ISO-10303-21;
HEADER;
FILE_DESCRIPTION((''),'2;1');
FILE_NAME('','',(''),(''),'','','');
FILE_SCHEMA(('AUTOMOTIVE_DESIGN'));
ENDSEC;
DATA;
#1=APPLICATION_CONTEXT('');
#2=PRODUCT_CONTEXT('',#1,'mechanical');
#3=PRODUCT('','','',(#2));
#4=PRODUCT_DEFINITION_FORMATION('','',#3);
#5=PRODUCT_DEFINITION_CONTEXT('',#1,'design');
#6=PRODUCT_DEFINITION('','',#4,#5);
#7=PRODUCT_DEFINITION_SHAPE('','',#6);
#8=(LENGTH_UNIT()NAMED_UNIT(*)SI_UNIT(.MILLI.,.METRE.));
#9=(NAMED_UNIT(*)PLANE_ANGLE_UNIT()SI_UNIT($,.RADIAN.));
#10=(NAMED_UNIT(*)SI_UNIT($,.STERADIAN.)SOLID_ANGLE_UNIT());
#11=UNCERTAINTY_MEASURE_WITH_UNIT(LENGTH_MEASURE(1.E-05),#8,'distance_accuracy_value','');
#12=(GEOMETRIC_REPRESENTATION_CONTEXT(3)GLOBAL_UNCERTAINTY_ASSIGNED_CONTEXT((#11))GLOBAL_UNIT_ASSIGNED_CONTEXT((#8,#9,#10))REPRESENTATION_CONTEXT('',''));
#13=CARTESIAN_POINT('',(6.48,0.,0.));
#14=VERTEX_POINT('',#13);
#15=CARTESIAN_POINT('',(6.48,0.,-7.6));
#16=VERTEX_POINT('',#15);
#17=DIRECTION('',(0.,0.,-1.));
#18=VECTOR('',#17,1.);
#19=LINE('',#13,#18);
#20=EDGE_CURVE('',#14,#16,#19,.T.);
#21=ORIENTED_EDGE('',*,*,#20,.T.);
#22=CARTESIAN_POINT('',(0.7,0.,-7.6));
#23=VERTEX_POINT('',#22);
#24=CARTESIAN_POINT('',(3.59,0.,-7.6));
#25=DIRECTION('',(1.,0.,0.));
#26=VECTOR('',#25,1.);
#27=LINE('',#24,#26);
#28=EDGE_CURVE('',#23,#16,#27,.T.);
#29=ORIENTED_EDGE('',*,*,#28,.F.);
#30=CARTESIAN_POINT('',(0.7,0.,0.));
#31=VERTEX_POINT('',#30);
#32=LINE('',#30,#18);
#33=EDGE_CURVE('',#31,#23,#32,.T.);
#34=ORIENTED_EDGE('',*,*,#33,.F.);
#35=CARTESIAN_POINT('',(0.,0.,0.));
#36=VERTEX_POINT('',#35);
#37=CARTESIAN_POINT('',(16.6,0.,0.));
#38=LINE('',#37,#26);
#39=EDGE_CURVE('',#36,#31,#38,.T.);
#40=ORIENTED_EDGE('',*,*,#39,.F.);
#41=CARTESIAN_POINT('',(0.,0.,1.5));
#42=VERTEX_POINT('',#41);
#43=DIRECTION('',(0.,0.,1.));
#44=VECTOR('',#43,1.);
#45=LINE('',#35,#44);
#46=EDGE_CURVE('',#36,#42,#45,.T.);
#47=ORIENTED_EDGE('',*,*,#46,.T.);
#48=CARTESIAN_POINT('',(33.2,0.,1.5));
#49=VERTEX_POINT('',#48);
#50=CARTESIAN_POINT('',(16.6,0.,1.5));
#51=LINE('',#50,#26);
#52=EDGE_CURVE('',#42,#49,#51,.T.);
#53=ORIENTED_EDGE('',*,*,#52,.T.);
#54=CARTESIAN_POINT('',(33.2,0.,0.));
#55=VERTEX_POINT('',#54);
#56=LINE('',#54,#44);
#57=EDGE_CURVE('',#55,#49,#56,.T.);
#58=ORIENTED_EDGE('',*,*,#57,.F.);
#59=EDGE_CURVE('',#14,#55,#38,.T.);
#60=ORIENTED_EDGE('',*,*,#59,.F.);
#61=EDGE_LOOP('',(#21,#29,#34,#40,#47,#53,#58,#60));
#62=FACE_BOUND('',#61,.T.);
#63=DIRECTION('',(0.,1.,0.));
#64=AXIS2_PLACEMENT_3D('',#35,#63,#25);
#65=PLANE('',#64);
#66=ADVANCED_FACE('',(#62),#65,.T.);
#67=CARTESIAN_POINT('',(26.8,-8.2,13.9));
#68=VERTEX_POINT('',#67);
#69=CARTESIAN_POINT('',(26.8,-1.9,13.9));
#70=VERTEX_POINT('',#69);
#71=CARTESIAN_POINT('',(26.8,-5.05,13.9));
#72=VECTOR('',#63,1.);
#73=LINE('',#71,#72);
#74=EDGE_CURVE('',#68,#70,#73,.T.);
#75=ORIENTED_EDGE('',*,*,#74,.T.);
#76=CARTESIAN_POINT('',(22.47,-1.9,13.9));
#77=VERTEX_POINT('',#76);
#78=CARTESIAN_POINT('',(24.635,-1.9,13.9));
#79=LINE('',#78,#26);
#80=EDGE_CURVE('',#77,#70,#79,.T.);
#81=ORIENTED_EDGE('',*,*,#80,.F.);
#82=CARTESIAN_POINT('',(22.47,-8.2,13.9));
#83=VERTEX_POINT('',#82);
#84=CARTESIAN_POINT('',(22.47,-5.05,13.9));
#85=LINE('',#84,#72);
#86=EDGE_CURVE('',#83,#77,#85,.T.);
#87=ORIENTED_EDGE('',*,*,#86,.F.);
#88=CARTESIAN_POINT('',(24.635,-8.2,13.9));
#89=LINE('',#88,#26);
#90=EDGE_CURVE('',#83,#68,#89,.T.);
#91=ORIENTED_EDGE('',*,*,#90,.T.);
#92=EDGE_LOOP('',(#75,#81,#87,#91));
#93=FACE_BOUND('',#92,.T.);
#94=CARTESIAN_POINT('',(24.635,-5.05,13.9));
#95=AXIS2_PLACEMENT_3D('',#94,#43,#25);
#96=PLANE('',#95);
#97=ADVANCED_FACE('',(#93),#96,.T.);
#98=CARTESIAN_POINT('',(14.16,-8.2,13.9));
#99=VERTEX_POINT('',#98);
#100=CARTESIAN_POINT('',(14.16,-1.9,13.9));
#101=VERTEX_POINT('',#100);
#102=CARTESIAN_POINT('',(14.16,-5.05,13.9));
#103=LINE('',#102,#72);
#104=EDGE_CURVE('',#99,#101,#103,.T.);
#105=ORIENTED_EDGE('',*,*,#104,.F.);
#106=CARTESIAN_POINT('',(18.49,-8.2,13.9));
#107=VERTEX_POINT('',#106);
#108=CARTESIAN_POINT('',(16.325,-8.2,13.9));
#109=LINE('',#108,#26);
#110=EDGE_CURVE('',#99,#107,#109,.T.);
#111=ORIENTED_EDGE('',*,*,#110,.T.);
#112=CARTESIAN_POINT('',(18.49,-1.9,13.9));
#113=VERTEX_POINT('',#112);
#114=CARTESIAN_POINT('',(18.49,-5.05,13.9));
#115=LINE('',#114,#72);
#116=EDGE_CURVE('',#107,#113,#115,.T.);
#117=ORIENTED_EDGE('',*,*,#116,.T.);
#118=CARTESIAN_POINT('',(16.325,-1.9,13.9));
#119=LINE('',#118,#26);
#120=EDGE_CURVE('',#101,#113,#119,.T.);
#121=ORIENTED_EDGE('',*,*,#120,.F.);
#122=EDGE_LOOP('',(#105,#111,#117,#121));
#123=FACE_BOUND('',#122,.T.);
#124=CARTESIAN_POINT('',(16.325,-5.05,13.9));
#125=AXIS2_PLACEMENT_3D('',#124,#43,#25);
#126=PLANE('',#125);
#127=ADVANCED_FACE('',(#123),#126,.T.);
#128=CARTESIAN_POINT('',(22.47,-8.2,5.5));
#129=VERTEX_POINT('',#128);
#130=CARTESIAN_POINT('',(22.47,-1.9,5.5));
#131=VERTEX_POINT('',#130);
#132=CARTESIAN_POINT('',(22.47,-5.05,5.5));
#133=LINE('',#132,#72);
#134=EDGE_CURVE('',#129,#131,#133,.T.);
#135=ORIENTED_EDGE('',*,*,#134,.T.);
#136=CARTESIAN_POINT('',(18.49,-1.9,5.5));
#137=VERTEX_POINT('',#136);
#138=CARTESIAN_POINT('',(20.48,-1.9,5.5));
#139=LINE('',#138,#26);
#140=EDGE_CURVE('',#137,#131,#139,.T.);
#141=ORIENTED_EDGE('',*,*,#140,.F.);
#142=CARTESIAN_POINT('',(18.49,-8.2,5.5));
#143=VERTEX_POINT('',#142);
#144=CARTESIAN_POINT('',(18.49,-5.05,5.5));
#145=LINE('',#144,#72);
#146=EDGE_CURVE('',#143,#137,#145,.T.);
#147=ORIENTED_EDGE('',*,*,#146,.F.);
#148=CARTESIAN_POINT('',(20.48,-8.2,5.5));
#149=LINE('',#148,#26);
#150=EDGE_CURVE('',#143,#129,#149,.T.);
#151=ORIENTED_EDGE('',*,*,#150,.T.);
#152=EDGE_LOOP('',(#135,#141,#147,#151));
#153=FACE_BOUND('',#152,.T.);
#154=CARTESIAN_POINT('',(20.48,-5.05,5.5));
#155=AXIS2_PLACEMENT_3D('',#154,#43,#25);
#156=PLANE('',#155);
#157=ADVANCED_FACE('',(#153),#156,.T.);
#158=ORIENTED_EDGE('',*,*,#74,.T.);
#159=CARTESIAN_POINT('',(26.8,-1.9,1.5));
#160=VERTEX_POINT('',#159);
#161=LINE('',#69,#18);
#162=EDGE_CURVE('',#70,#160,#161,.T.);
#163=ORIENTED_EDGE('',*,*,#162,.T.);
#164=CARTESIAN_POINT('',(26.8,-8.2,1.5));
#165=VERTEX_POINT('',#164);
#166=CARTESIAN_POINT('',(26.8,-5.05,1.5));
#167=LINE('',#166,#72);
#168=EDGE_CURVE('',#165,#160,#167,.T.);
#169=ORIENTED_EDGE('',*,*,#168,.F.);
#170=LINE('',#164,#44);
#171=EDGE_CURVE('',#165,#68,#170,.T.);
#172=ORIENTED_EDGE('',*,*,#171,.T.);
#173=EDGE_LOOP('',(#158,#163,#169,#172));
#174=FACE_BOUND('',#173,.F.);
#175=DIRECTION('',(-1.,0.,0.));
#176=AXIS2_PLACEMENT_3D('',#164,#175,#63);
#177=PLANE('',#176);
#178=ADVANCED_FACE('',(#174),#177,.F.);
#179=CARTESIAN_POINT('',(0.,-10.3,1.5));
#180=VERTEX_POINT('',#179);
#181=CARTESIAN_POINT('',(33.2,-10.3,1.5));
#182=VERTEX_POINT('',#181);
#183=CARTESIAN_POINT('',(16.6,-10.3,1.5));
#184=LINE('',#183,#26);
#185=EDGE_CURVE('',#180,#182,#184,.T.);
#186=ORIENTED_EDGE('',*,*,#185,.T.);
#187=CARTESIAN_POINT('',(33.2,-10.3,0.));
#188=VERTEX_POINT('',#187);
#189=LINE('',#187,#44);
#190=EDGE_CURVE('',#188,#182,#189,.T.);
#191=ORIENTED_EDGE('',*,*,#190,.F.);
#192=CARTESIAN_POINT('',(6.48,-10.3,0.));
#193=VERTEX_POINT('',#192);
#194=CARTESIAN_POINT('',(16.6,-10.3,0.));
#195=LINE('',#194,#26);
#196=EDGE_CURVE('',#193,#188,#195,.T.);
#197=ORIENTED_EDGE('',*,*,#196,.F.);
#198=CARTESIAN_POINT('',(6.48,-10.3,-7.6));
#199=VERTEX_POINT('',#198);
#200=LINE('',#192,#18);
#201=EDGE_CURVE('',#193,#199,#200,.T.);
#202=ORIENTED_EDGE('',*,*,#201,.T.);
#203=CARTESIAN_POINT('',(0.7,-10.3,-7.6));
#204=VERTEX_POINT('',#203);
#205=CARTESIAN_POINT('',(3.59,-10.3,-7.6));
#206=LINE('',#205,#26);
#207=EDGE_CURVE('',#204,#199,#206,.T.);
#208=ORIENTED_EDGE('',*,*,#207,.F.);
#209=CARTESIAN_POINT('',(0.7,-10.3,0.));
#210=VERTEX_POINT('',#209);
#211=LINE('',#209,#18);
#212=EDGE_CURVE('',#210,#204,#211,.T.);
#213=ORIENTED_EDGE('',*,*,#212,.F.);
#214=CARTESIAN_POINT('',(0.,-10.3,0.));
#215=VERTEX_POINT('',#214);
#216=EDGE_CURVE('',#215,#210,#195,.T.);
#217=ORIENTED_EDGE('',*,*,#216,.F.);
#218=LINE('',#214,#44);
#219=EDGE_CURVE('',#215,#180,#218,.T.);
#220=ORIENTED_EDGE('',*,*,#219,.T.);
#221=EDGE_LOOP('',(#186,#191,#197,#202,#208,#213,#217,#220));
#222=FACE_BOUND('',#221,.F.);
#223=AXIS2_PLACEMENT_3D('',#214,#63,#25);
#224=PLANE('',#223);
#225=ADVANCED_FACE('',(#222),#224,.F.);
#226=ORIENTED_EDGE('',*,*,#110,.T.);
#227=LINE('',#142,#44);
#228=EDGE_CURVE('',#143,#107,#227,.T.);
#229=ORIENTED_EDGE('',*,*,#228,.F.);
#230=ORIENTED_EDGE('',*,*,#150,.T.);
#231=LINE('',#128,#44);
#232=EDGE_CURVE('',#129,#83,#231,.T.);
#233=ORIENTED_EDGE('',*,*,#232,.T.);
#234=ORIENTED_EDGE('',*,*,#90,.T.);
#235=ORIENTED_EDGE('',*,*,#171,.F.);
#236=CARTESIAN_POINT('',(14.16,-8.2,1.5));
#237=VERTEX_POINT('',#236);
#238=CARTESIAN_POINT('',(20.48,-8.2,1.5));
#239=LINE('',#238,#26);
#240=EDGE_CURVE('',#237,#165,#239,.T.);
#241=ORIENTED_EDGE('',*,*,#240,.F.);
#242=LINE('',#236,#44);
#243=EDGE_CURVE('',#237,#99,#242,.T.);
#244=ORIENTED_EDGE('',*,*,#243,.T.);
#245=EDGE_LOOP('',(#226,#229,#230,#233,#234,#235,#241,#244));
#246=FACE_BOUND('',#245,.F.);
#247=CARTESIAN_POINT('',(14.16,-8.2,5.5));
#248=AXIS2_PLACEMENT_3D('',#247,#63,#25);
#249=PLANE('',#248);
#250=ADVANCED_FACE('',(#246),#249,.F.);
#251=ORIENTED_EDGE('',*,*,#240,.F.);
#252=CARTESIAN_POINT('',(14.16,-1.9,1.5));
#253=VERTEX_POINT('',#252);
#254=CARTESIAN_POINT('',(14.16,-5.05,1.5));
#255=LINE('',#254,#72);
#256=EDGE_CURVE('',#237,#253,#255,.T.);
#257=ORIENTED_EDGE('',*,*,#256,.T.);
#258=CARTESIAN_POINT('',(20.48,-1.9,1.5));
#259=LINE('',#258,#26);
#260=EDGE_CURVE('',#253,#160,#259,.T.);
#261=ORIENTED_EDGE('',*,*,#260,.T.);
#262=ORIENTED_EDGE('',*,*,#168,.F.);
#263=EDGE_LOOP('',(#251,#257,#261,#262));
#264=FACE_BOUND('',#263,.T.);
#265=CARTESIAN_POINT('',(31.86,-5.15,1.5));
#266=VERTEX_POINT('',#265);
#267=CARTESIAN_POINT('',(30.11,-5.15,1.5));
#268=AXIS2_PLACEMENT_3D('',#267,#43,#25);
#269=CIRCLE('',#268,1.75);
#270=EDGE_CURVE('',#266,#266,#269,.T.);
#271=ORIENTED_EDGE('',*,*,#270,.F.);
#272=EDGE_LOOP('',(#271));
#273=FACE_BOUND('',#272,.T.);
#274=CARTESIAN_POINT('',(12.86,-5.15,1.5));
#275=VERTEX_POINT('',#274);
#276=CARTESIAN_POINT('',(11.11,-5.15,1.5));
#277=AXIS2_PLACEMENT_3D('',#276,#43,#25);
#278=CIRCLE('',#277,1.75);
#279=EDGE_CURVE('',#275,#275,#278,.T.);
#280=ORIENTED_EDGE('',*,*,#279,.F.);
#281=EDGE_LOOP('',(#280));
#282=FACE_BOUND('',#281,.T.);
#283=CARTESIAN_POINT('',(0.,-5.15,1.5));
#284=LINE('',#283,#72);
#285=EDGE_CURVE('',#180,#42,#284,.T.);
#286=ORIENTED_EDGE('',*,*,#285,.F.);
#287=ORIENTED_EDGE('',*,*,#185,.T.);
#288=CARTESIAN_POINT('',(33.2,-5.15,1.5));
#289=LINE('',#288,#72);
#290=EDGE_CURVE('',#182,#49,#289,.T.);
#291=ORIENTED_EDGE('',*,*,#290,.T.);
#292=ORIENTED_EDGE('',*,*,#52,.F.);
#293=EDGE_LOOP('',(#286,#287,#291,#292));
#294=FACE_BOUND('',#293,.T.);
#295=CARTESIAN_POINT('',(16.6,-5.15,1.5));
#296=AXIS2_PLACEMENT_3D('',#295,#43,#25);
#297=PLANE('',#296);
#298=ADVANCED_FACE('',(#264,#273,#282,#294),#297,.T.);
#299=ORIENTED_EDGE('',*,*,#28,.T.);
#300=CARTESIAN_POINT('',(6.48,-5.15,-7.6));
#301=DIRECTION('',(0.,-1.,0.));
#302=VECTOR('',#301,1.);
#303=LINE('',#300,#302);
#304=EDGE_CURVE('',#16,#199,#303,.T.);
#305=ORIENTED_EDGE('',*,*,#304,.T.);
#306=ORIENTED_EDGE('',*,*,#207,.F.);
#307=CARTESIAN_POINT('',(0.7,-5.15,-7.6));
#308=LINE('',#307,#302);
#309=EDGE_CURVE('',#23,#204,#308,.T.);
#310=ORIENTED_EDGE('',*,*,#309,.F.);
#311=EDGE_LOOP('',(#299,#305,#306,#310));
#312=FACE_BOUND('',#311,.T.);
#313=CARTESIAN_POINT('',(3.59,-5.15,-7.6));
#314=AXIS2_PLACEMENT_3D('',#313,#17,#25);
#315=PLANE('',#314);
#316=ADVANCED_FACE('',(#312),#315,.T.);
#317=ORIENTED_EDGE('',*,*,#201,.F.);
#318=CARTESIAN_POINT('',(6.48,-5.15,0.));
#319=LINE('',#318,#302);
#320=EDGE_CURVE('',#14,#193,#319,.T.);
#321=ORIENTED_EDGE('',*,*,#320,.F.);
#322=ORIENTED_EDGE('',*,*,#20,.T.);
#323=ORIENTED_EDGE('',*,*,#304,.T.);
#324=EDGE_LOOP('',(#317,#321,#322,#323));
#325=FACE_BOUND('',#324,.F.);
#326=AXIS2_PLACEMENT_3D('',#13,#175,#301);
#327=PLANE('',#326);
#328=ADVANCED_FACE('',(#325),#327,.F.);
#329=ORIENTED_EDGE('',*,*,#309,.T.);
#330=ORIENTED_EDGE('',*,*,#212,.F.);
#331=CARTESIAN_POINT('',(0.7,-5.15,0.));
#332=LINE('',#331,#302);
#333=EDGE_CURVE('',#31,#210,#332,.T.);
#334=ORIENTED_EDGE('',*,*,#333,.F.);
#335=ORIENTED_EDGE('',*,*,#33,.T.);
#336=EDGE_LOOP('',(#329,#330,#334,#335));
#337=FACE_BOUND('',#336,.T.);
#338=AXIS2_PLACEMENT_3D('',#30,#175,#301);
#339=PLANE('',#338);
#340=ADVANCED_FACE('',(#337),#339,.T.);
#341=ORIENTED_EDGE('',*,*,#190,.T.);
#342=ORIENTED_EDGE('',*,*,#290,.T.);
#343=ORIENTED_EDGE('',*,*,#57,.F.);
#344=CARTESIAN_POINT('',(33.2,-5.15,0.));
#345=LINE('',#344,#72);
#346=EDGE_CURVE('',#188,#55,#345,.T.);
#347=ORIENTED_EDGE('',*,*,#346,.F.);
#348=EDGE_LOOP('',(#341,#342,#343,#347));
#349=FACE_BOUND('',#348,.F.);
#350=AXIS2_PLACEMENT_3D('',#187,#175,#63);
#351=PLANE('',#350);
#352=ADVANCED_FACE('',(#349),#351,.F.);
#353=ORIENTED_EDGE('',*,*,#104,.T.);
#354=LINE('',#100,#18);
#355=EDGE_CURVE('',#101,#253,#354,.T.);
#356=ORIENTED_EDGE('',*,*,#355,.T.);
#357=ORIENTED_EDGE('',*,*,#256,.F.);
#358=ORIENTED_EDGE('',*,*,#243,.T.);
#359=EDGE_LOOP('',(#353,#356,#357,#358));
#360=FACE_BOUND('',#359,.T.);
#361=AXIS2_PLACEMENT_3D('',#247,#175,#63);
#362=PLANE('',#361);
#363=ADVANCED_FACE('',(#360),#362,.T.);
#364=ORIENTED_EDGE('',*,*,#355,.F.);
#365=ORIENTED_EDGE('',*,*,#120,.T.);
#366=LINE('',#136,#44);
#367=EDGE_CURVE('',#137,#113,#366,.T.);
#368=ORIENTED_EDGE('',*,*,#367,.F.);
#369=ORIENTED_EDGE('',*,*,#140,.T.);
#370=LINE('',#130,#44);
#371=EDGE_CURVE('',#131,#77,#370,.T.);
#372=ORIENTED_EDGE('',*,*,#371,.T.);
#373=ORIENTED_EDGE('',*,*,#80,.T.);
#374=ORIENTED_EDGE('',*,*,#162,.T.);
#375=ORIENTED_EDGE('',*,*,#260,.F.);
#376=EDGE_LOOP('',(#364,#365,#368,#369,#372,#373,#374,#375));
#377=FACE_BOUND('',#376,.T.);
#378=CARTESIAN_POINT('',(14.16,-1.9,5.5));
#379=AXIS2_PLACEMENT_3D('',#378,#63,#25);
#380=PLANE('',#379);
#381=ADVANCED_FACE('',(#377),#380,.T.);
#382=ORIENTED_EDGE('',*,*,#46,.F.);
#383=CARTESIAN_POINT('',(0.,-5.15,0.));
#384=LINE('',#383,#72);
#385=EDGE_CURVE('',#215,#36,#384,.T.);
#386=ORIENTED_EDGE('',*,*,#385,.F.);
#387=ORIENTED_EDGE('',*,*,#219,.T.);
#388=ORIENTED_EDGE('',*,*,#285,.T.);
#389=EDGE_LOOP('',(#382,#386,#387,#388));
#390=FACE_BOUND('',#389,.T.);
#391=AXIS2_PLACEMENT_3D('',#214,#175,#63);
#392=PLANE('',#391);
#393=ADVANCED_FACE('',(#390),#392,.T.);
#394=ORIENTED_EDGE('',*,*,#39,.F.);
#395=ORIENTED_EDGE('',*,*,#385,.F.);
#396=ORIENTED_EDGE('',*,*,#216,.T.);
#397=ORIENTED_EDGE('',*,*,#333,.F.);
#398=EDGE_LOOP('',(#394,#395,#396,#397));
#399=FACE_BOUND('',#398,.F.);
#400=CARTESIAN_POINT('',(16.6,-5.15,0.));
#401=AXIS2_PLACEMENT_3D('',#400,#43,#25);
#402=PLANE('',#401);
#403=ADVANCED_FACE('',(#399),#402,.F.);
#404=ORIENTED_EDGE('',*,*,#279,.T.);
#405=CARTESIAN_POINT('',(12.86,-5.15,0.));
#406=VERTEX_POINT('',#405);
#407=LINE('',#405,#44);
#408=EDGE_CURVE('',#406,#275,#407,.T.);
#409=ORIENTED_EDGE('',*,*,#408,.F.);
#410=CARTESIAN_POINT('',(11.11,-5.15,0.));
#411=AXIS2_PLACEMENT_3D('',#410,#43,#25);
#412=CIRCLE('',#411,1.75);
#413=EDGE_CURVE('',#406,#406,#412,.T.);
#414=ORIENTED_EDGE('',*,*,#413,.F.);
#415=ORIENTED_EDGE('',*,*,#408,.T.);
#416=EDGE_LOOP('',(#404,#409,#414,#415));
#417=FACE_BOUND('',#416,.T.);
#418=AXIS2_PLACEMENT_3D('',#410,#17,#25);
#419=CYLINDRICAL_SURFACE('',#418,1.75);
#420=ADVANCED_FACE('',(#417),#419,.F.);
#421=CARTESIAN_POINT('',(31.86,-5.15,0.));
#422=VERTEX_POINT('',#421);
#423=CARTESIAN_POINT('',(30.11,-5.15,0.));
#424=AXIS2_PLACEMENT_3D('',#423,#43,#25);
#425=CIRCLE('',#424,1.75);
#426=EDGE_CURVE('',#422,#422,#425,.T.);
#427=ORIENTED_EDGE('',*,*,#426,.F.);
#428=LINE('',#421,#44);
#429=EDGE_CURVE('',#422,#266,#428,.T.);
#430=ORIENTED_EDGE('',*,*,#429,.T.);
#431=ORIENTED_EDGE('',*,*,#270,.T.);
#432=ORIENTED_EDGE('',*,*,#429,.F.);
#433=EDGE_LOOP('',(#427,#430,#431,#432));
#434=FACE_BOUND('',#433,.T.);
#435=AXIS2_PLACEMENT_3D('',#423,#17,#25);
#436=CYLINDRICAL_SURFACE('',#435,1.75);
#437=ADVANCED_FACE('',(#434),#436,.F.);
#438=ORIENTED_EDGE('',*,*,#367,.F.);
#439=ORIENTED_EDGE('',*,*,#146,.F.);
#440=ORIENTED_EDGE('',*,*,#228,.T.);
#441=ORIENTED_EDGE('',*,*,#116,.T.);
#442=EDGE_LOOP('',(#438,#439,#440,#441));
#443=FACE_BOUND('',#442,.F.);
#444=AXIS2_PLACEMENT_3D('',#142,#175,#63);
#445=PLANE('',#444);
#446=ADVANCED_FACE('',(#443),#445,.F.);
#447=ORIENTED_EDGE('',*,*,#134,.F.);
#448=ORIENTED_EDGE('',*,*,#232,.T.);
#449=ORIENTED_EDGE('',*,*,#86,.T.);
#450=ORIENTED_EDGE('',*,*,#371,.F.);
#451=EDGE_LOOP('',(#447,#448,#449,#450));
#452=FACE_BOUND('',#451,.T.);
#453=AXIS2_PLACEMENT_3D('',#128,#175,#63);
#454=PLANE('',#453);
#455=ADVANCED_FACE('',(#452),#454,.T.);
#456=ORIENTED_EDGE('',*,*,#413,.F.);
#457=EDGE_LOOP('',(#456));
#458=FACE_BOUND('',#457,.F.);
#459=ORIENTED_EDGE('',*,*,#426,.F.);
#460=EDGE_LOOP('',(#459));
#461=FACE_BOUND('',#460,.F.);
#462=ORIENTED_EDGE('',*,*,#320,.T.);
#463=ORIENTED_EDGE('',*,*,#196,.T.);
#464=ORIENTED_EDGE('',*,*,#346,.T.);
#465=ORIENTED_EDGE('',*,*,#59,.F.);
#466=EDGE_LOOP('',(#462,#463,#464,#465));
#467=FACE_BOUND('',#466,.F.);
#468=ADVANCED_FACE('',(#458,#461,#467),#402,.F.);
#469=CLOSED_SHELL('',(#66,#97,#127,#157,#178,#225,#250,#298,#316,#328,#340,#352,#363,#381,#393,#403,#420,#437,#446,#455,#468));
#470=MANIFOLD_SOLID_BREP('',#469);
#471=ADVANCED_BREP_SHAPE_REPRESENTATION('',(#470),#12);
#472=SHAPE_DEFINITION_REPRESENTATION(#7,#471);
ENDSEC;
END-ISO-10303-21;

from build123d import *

# Parameters (mm, degrees)
F0_W     = 33.2
F0_H     = 10.3
F0_R     = 1.75
F1_DEPTH = 1.5
F2_W     = 12.64
F2_H     = 6.3
F3_DEPTH = 4
F4_W     = 4.33
F4_H     = 6.3
F5_DEPTH = 8.4
F6_W     = 5.78
F6_H     = 10.3
F7_DEPTH = 7.6


with BuildPart() as f1:
    # F0 (on Top) → F1 (new body)
    with BuildSketch(Plane.XY):
        with Locations((16.6, -5.15)):
            Rectangle(F0_W, F0_H)
        with Locations((11.11, -5.15)):
            Circle(F0_R, mode=Mode.SUBTRACT)
        with Locations((30.11, -5.15)):
            Circle(F0_R, mode=Mode.SUBTRACT)
    extrude(amount=F1_DEPTH)

    # F2 (on face) → F3 (join)
    with BuildSketch(Plane.XY.offset(1.5)):
        with Locations((20.48, -5.05)):
            Rectangle(F2_W, F2_H)
    extrude(amount=F3_DEPTH)

    # F4 (on face) → F5 (join)
    with BuildSketch(Plane.XY.offset(5.5)):
        with Locations((16.325, -5.05)):
            Rectangle(F4_W, F4_H)
        with Locations((24.635, -5.05)):
            Rectangle(F4_W, F4_H)
    extrude(amount=F5_DEPTH)

    # F6 (on face) → F7 (join)
    with BuildSketch(Plane(origin=(0, 0, 0), x_dir=(1, 0, 0), z_dir=(0, 0, -1))):
        with Locations((3.59, 5.15)):
            Rectangle(F6_W, F6_H)
    extrude(amount=F7_DEPTH)


solid = f1.part
